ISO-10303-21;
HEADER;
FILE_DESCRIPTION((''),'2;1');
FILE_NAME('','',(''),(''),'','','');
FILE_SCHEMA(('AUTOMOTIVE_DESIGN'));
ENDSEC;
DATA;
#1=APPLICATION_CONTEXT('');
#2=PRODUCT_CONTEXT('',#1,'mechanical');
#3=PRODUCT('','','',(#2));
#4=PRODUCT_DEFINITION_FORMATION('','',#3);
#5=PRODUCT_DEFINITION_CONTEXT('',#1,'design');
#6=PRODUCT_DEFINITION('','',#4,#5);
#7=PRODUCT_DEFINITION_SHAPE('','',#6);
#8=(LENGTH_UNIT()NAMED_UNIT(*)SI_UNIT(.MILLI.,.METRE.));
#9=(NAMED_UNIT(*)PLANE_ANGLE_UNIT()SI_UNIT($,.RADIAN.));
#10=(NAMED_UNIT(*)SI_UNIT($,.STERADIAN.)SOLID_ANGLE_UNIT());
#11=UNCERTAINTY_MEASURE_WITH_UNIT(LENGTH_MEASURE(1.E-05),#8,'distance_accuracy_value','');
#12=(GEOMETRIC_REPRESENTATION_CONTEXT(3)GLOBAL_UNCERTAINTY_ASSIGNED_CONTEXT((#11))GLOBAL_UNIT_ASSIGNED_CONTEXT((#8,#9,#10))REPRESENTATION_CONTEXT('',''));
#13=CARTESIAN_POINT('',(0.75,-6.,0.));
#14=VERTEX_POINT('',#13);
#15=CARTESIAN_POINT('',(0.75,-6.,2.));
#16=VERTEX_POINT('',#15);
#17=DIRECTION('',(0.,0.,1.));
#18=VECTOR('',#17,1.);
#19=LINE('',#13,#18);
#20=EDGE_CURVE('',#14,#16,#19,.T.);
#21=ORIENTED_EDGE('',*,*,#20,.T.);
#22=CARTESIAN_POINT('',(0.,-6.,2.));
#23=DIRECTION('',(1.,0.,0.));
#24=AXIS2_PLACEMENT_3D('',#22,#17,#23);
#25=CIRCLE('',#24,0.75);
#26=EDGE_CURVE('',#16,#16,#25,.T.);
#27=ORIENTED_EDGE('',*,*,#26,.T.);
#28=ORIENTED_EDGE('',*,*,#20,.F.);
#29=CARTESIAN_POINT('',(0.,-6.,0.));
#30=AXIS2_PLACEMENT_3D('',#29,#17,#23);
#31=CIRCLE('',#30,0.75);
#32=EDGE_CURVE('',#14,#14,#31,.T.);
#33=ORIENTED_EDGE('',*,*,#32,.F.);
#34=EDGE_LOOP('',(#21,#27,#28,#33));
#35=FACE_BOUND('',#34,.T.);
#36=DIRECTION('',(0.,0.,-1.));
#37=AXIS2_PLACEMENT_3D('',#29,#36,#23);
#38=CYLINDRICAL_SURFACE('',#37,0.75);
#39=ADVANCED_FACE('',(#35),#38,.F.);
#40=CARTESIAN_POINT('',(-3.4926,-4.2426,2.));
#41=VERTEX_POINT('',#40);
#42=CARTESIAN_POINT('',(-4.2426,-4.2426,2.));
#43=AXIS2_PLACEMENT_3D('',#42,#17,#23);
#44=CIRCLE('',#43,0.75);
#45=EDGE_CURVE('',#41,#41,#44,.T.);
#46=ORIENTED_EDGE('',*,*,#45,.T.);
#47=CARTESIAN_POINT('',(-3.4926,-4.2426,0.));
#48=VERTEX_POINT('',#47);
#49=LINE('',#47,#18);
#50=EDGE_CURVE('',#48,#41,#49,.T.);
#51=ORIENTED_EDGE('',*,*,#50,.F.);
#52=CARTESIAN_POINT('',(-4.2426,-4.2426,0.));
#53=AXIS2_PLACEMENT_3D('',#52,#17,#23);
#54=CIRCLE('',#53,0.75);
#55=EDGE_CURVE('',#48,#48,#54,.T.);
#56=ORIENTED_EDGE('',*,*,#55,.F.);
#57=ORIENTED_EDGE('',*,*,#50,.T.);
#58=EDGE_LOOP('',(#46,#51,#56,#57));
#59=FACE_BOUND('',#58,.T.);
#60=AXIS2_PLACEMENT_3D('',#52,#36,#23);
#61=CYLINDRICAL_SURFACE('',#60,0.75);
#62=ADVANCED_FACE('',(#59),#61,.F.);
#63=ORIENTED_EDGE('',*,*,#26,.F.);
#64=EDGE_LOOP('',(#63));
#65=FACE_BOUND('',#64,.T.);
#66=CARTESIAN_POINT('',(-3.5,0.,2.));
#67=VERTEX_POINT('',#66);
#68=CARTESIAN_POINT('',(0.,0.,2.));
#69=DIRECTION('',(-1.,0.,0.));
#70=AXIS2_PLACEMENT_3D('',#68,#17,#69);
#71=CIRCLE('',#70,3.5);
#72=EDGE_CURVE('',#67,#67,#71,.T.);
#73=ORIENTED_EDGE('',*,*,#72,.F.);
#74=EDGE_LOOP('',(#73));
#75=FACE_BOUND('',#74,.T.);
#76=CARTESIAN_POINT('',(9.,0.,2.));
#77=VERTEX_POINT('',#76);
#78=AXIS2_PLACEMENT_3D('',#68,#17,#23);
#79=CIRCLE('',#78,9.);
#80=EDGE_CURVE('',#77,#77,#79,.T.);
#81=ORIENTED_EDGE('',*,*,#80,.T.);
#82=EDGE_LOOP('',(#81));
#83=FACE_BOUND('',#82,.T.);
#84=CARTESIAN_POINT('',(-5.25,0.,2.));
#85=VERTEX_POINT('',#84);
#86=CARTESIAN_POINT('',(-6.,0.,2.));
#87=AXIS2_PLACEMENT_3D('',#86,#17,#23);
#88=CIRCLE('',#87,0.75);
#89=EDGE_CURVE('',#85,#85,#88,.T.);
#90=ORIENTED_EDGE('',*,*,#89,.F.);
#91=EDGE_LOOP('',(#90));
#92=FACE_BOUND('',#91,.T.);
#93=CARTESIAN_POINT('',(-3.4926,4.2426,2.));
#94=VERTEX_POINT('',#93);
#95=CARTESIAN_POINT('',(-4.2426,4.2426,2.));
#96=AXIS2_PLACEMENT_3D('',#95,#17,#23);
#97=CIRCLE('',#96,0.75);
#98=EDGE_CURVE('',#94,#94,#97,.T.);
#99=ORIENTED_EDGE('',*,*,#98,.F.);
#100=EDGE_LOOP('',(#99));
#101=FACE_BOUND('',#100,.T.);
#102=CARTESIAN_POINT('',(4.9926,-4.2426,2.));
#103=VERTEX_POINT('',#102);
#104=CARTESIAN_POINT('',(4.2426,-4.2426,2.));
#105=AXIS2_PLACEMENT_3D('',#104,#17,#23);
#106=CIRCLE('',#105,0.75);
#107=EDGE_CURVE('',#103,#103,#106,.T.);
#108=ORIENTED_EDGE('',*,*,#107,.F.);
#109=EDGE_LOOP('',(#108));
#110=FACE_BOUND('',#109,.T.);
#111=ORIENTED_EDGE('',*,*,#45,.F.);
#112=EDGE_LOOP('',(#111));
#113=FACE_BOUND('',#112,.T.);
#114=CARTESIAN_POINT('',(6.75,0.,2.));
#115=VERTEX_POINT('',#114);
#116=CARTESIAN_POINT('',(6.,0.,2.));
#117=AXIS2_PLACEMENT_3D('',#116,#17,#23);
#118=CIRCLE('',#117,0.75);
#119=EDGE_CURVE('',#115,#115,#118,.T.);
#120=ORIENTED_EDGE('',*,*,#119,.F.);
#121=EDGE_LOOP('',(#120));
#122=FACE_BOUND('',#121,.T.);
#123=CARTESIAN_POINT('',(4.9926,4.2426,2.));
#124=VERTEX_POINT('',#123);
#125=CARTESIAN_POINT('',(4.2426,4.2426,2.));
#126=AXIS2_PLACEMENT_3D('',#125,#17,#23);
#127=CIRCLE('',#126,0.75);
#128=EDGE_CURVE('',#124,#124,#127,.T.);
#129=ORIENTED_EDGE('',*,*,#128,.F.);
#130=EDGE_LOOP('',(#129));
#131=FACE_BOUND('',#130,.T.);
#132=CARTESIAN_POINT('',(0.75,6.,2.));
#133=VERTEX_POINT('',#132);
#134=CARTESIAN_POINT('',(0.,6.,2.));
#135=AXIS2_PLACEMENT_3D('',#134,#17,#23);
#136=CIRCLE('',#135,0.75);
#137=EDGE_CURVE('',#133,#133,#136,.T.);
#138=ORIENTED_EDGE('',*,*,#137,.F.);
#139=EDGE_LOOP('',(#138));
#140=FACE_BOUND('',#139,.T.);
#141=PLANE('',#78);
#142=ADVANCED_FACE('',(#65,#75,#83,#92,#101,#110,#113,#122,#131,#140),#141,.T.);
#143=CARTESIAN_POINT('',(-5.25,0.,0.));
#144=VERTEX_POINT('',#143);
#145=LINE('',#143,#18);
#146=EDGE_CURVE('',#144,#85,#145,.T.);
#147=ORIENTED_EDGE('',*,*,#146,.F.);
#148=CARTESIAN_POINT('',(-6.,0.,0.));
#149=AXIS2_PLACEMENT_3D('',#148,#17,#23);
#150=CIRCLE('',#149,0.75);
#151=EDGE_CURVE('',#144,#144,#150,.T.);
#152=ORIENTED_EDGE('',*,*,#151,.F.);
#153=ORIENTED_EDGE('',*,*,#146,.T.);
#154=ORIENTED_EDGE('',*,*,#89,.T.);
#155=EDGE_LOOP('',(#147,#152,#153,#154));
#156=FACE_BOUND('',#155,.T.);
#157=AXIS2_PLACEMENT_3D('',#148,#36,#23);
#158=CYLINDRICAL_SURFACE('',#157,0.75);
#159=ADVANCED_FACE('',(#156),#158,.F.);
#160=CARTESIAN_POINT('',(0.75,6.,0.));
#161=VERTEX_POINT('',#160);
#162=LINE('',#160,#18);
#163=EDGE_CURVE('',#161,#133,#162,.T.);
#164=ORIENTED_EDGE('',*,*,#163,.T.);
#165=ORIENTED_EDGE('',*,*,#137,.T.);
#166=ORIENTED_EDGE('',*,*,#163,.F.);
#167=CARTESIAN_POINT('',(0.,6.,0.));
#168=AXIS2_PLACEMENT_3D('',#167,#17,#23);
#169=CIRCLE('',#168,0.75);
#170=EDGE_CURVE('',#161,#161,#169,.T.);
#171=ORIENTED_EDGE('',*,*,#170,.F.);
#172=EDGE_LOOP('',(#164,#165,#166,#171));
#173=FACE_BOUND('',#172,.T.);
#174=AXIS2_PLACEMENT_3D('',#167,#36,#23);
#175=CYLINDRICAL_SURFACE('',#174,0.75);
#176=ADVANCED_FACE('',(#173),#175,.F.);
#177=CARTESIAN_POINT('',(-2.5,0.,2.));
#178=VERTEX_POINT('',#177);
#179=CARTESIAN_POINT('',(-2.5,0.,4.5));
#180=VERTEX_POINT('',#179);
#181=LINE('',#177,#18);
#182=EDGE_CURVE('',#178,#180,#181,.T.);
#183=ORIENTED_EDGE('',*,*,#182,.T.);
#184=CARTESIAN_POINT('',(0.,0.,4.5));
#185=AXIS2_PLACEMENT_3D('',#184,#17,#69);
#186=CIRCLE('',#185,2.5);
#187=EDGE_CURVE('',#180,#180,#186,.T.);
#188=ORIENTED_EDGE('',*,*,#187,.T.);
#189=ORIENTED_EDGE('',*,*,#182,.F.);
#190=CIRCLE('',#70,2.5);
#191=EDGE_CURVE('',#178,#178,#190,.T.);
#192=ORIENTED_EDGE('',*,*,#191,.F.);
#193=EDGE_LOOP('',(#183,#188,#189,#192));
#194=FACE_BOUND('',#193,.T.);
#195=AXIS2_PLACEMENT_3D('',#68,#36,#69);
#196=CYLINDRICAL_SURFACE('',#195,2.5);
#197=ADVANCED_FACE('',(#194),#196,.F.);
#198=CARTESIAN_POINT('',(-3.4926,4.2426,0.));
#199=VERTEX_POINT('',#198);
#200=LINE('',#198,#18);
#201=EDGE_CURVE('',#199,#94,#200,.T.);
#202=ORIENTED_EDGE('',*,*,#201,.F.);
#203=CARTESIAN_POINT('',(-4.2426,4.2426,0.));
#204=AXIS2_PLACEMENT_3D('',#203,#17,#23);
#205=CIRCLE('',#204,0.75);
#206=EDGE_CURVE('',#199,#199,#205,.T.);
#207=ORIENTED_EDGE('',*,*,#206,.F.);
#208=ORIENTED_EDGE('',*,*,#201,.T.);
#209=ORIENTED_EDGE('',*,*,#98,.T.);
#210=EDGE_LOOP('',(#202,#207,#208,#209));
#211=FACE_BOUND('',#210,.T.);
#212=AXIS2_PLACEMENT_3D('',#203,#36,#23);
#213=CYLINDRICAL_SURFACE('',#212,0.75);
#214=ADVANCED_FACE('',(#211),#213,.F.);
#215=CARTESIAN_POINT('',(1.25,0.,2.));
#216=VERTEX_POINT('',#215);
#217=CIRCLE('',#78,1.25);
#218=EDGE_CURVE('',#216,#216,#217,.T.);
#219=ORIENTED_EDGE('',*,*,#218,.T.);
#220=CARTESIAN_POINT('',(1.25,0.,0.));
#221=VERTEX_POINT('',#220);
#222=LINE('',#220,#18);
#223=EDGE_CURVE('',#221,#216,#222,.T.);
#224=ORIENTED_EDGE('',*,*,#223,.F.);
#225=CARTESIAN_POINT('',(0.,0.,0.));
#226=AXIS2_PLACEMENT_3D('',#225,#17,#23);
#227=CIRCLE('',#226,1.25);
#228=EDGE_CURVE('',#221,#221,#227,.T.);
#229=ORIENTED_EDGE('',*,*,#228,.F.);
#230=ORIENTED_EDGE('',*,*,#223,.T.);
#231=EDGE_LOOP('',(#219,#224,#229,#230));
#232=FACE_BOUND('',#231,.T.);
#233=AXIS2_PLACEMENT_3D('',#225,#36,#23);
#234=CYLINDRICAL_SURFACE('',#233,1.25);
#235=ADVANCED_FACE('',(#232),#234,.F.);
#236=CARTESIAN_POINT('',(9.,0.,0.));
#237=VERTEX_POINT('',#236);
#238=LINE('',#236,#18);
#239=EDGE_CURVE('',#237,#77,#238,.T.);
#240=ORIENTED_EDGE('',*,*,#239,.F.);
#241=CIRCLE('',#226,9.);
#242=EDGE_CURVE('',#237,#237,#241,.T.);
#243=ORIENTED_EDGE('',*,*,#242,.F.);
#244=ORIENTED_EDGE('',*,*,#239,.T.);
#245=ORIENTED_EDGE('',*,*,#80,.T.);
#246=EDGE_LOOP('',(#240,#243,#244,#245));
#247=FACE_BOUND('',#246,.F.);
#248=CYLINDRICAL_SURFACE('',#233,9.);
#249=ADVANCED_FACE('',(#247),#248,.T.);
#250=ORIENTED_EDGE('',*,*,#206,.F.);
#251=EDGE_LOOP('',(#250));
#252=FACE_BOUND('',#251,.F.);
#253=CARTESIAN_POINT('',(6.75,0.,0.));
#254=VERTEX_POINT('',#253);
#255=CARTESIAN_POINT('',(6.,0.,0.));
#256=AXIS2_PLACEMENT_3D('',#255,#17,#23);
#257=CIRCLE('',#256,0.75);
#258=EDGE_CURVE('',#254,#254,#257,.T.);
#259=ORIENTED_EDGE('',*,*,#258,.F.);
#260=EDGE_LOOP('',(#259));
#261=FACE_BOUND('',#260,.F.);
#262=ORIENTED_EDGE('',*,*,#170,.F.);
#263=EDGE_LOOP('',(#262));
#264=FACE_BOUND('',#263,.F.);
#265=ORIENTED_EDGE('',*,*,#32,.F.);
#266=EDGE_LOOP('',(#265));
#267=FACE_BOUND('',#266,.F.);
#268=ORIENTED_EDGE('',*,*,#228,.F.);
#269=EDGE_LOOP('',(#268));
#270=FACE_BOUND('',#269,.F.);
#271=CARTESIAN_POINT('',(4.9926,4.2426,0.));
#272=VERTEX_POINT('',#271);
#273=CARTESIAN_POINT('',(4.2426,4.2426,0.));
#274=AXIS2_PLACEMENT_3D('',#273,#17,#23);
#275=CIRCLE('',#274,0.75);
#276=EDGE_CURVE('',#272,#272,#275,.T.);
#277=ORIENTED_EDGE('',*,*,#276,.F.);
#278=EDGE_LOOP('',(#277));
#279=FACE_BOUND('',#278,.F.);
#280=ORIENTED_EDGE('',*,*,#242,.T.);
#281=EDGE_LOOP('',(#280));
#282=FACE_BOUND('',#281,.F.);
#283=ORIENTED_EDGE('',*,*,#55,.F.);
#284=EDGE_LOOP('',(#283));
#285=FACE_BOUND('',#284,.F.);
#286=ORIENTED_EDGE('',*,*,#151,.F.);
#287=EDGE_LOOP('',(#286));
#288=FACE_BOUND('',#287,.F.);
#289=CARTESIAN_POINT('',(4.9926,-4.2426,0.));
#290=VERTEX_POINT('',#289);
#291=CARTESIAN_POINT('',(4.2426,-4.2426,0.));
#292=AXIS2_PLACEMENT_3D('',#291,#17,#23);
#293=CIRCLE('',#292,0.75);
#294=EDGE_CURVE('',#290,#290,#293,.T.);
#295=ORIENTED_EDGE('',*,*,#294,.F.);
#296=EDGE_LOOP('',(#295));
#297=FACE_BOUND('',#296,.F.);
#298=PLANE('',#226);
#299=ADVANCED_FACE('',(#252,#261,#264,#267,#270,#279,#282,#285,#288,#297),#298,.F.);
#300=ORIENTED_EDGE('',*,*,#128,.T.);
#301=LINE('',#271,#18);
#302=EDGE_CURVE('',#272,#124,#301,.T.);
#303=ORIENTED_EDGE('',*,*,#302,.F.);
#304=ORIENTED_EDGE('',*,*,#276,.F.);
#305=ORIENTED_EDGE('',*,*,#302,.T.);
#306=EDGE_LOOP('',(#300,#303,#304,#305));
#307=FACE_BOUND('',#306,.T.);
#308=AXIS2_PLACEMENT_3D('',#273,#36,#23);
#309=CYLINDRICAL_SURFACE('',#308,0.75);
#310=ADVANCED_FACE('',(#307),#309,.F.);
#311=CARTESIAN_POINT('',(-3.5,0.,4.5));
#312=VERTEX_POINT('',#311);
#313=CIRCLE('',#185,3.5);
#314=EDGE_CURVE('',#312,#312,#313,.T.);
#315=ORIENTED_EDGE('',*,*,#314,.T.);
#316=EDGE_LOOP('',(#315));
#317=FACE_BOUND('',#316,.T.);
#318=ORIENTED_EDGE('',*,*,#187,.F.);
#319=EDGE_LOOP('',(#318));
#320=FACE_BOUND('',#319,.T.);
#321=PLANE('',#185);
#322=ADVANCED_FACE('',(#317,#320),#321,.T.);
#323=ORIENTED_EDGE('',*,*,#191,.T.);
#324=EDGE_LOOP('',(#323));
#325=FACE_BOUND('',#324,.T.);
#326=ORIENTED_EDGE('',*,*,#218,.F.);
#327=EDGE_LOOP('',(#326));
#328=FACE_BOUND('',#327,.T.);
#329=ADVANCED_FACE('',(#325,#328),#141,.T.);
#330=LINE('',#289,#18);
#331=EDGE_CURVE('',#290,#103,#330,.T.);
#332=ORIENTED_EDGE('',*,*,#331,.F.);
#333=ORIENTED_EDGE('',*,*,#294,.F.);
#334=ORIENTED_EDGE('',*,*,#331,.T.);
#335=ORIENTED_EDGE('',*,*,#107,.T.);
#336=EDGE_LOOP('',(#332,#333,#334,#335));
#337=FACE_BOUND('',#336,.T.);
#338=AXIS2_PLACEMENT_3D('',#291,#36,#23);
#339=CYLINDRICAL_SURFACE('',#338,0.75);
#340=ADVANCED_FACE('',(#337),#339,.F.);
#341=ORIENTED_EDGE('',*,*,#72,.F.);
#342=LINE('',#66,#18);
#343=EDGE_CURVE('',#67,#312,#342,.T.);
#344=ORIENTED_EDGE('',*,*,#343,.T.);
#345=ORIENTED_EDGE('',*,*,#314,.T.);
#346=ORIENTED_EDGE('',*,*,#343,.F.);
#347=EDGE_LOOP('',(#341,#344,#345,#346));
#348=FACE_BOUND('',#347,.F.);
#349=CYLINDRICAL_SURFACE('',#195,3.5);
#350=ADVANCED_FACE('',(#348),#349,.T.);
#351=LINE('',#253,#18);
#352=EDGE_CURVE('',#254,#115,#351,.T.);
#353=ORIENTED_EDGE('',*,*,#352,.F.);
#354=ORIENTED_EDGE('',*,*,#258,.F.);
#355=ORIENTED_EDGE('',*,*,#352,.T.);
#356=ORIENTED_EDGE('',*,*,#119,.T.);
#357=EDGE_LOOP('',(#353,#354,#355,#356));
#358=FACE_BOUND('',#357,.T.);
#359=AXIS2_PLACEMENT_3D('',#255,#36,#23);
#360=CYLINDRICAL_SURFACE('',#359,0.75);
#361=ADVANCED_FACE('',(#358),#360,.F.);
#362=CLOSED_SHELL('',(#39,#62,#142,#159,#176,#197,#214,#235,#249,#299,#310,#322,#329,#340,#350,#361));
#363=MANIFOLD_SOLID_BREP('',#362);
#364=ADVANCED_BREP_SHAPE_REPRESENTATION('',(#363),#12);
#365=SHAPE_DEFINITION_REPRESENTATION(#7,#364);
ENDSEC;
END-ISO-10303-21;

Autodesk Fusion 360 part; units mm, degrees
sketch "草图1" plane through (0, 0, 0) normal (0, 0, 1) x (1, 0, 0)
  circle A0 centre (0, 0) radius 9
  circle A1 centre (0, 0) radius 1.25
  line L0 (0, 0) -> (12.5942, 0) construction
  circle A2 centre (0, 0) radius 6 construction
  circle A3 centre (6, 0) radius 0.75
  circle A4 centre (4.2426, 4.2426) radius 0.75
  circle A5 centre (0, 6) radius 0.75
  circle A6 centre (-4.2426, 4.2426) radius 0.75
  circle A7 centre (-6, 0) radius 0.75
  circle A8 centre (-4.2426, -4.2426) radius 0.75
  circle A9 centre (0, -6) radius 0.75
  circle A10 centre (4.2426, -4.2426) radius 0.75
  dimension "d1" = 18
  dimension "d2" = 2.5
  dimension "d3" = 12
  dimension "d4" = 1.5
  dimension "d6" = 360
extrude "拉伸1" add sketch "草图1" along normal blind 2
sketch "草图2" plane through (0, 0, 2) normal (0, 0, 1) x (-1, 0, 0)
  circle A0 centre (6, 0) radius 0.75
  circle A1 centre (0, 6) radius 0.75
  circle A2 centre (-4.2426, -4.2426) radius 0.75
  circle A3 centre (4.2426, 4.2426) radius 0.75
  circle A4 centre (0, -6) radius 0.75
  circle A5 centre (0, 0) radius 1.25
  circle A6 centre (4.2426, -4.2426) radius 0.75
  circle A7 centre (-6, 0) radius 0.75
  circle A8 centre (-4.2426, 4.2426) radius 0.75
  circle A9 centre (0, 0) radius 9
  circle A10 centre (0, 0) radius 3.5
  circle A11 centre (0, 0) radius 2.5
  dimension "d9" = 7
  dimension "d10" = 5
extrude "拉伸2" add sketch "草图2" along normal blind 2.5 contours A10
